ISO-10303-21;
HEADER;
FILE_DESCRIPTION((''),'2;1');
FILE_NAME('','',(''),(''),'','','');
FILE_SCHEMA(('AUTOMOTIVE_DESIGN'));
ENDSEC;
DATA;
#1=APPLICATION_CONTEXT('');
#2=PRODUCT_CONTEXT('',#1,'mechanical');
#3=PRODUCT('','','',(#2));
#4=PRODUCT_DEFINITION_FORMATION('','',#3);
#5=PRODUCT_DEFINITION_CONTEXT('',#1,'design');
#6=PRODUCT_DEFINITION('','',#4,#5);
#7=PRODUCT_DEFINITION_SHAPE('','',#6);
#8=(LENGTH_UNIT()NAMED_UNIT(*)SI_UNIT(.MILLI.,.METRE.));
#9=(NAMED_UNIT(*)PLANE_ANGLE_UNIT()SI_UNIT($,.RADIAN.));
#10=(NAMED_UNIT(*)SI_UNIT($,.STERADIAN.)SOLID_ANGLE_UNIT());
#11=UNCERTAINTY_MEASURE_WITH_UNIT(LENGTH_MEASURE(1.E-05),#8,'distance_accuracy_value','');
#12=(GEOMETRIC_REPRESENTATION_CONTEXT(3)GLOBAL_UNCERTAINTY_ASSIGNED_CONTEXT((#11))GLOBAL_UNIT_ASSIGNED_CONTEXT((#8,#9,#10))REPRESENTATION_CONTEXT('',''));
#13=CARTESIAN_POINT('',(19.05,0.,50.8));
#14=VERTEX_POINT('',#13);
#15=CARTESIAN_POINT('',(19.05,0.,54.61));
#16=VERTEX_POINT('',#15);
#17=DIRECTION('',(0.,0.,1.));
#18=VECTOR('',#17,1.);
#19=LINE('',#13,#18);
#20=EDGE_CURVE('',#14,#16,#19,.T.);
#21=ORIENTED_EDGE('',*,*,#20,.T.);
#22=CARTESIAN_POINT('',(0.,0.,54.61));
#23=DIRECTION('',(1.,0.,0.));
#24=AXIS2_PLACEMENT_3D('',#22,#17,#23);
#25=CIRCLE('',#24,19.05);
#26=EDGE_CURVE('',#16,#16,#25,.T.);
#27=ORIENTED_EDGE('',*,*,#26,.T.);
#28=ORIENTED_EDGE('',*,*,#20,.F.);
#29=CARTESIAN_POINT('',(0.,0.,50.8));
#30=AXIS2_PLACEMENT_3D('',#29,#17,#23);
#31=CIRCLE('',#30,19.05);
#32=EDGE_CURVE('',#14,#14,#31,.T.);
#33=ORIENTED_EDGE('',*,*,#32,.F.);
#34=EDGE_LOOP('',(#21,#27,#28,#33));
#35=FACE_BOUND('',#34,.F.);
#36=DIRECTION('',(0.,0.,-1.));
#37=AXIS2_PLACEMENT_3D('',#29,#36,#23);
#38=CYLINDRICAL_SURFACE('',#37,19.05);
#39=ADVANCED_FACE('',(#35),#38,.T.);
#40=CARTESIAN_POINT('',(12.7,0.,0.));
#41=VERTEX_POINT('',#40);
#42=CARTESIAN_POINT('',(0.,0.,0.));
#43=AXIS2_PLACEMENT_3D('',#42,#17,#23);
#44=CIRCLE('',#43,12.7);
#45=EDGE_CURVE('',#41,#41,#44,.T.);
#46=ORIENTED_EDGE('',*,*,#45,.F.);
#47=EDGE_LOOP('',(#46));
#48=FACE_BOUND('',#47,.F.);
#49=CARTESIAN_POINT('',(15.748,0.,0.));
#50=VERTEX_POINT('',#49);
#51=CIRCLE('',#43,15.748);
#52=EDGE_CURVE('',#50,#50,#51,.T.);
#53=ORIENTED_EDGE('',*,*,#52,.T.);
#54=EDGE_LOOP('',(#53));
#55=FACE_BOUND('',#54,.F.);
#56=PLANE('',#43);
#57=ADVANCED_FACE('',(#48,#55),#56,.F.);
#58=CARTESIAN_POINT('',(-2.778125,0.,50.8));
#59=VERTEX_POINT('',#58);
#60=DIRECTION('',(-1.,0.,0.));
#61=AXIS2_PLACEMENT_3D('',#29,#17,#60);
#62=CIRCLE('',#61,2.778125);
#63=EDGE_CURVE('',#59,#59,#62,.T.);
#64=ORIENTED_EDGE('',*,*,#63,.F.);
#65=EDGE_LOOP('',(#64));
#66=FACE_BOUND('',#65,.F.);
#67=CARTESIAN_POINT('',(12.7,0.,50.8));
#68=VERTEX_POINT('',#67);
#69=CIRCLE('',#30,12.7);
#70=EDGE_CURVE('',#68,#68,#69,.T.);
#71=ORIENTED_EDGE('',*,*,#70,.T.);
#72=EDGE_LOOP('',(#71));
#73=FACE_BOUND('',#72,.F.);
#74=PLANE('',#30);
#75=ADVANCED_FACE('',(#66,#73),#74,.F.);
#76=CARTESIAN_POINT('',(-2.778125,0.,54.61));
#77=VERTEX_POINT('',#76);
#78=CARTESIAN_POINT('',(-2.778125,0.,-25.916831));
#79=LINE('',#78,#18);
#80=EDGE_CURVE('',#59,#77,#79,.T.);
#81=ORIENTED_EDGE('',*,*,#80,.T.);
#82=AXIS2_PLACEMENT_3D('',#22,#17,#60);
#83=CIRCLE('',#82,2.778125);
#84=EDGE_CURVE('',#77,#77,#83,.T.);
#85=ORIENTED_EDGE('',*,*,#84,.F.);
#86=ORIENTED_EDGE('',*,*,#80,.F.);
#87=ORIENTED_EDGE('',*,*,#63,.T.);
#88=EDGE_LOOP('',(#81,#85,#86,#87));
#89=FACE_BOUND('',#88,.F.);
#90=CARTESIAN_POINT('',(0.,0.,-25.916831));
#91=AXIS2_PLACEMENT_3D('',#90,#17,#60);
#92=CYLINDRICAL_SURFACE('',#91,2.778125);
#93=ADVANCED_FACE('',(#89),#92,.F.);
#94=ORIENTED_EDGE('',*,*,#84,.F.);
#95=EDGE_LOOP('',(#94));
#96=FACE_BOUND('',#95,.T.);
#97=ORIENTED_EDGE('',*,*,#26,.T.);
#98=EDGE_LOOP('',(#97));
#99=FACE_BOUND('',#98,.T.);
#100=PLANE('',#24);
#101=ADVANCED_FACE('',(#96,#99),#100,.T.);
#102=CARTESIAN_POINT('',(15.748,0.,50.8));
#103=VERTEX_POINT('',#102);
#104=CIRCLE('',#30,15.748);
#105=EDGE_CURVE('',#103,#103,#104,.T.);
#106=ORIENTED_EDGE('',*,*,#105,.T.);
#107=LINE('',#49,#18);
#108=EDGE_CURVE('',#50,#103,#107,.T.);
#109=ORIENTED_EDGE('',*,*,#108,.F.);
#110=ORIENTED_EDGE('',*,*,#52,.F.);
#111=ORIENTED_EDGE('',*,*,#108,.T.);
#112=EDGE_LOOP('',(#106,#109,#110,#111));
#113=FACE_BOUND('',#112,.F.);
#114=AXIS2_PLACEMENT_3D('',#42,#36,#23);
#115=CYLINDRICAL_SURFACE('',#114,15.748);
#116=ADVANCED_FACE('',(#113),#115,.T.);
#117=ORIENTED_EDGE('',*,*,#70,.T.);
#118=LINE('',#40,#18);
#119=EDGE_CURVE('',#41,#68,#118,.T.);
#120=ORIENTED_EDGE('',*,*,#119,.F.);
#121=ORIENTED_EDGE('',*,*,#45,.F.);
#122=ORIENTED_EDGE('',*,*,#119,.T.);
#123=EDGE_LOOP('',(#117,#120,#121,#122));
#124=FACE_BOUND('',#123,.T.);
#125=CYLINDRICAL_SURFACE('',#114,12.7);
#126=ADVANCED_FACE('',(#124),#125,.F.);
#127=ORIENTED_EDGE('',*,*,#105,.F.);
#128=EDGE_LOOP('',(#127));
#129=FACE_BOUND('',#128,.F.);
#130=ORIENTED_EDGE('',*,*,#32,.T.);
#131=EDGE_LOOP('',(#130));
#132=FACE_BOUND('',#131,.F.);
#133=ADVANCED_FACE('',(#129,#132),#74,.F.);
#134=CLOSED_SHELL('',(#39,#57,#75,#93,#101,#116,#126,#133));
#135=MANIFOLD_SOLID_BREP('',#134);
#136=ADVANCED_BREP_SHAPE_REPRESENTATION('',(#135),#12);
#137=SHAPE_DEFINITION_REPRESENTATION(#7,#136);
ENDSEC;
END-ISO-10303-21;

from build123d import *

# Parameters (mm, degrees)
F0_R     = 15.748
F0_R_2   = 12.7
F1_DEPTH = 50.8
F2_R     = 19.05
F3_DEPTH = 3.81
F4_D     = 5.55625


with BuildPart() as f1:
    # F0 (on Top) → F1 (new body)
    with BuildSketch(Plane.XY):
        Circle(F0_R)
        Circle(F0_R_2, mode=Mode.SUBTRACT)
    extrude(amount=F1_DEPTH)

    # F2 (on face) → F3 (join)
    with BuildSketch(Plane.XY.offset(50.8)):
        Circle(F2_R)
    extrude(amount=F3_DEPTH)

    # F4 (through all)
    with Locations(Plane(origin=(0, 0, 50.8), x_dir=(1, 0, 0), z_dir=(0, 0, -1))):
        with Locations((0, 0)):
            Hole(F4_D / 2)


solid = f1.part
